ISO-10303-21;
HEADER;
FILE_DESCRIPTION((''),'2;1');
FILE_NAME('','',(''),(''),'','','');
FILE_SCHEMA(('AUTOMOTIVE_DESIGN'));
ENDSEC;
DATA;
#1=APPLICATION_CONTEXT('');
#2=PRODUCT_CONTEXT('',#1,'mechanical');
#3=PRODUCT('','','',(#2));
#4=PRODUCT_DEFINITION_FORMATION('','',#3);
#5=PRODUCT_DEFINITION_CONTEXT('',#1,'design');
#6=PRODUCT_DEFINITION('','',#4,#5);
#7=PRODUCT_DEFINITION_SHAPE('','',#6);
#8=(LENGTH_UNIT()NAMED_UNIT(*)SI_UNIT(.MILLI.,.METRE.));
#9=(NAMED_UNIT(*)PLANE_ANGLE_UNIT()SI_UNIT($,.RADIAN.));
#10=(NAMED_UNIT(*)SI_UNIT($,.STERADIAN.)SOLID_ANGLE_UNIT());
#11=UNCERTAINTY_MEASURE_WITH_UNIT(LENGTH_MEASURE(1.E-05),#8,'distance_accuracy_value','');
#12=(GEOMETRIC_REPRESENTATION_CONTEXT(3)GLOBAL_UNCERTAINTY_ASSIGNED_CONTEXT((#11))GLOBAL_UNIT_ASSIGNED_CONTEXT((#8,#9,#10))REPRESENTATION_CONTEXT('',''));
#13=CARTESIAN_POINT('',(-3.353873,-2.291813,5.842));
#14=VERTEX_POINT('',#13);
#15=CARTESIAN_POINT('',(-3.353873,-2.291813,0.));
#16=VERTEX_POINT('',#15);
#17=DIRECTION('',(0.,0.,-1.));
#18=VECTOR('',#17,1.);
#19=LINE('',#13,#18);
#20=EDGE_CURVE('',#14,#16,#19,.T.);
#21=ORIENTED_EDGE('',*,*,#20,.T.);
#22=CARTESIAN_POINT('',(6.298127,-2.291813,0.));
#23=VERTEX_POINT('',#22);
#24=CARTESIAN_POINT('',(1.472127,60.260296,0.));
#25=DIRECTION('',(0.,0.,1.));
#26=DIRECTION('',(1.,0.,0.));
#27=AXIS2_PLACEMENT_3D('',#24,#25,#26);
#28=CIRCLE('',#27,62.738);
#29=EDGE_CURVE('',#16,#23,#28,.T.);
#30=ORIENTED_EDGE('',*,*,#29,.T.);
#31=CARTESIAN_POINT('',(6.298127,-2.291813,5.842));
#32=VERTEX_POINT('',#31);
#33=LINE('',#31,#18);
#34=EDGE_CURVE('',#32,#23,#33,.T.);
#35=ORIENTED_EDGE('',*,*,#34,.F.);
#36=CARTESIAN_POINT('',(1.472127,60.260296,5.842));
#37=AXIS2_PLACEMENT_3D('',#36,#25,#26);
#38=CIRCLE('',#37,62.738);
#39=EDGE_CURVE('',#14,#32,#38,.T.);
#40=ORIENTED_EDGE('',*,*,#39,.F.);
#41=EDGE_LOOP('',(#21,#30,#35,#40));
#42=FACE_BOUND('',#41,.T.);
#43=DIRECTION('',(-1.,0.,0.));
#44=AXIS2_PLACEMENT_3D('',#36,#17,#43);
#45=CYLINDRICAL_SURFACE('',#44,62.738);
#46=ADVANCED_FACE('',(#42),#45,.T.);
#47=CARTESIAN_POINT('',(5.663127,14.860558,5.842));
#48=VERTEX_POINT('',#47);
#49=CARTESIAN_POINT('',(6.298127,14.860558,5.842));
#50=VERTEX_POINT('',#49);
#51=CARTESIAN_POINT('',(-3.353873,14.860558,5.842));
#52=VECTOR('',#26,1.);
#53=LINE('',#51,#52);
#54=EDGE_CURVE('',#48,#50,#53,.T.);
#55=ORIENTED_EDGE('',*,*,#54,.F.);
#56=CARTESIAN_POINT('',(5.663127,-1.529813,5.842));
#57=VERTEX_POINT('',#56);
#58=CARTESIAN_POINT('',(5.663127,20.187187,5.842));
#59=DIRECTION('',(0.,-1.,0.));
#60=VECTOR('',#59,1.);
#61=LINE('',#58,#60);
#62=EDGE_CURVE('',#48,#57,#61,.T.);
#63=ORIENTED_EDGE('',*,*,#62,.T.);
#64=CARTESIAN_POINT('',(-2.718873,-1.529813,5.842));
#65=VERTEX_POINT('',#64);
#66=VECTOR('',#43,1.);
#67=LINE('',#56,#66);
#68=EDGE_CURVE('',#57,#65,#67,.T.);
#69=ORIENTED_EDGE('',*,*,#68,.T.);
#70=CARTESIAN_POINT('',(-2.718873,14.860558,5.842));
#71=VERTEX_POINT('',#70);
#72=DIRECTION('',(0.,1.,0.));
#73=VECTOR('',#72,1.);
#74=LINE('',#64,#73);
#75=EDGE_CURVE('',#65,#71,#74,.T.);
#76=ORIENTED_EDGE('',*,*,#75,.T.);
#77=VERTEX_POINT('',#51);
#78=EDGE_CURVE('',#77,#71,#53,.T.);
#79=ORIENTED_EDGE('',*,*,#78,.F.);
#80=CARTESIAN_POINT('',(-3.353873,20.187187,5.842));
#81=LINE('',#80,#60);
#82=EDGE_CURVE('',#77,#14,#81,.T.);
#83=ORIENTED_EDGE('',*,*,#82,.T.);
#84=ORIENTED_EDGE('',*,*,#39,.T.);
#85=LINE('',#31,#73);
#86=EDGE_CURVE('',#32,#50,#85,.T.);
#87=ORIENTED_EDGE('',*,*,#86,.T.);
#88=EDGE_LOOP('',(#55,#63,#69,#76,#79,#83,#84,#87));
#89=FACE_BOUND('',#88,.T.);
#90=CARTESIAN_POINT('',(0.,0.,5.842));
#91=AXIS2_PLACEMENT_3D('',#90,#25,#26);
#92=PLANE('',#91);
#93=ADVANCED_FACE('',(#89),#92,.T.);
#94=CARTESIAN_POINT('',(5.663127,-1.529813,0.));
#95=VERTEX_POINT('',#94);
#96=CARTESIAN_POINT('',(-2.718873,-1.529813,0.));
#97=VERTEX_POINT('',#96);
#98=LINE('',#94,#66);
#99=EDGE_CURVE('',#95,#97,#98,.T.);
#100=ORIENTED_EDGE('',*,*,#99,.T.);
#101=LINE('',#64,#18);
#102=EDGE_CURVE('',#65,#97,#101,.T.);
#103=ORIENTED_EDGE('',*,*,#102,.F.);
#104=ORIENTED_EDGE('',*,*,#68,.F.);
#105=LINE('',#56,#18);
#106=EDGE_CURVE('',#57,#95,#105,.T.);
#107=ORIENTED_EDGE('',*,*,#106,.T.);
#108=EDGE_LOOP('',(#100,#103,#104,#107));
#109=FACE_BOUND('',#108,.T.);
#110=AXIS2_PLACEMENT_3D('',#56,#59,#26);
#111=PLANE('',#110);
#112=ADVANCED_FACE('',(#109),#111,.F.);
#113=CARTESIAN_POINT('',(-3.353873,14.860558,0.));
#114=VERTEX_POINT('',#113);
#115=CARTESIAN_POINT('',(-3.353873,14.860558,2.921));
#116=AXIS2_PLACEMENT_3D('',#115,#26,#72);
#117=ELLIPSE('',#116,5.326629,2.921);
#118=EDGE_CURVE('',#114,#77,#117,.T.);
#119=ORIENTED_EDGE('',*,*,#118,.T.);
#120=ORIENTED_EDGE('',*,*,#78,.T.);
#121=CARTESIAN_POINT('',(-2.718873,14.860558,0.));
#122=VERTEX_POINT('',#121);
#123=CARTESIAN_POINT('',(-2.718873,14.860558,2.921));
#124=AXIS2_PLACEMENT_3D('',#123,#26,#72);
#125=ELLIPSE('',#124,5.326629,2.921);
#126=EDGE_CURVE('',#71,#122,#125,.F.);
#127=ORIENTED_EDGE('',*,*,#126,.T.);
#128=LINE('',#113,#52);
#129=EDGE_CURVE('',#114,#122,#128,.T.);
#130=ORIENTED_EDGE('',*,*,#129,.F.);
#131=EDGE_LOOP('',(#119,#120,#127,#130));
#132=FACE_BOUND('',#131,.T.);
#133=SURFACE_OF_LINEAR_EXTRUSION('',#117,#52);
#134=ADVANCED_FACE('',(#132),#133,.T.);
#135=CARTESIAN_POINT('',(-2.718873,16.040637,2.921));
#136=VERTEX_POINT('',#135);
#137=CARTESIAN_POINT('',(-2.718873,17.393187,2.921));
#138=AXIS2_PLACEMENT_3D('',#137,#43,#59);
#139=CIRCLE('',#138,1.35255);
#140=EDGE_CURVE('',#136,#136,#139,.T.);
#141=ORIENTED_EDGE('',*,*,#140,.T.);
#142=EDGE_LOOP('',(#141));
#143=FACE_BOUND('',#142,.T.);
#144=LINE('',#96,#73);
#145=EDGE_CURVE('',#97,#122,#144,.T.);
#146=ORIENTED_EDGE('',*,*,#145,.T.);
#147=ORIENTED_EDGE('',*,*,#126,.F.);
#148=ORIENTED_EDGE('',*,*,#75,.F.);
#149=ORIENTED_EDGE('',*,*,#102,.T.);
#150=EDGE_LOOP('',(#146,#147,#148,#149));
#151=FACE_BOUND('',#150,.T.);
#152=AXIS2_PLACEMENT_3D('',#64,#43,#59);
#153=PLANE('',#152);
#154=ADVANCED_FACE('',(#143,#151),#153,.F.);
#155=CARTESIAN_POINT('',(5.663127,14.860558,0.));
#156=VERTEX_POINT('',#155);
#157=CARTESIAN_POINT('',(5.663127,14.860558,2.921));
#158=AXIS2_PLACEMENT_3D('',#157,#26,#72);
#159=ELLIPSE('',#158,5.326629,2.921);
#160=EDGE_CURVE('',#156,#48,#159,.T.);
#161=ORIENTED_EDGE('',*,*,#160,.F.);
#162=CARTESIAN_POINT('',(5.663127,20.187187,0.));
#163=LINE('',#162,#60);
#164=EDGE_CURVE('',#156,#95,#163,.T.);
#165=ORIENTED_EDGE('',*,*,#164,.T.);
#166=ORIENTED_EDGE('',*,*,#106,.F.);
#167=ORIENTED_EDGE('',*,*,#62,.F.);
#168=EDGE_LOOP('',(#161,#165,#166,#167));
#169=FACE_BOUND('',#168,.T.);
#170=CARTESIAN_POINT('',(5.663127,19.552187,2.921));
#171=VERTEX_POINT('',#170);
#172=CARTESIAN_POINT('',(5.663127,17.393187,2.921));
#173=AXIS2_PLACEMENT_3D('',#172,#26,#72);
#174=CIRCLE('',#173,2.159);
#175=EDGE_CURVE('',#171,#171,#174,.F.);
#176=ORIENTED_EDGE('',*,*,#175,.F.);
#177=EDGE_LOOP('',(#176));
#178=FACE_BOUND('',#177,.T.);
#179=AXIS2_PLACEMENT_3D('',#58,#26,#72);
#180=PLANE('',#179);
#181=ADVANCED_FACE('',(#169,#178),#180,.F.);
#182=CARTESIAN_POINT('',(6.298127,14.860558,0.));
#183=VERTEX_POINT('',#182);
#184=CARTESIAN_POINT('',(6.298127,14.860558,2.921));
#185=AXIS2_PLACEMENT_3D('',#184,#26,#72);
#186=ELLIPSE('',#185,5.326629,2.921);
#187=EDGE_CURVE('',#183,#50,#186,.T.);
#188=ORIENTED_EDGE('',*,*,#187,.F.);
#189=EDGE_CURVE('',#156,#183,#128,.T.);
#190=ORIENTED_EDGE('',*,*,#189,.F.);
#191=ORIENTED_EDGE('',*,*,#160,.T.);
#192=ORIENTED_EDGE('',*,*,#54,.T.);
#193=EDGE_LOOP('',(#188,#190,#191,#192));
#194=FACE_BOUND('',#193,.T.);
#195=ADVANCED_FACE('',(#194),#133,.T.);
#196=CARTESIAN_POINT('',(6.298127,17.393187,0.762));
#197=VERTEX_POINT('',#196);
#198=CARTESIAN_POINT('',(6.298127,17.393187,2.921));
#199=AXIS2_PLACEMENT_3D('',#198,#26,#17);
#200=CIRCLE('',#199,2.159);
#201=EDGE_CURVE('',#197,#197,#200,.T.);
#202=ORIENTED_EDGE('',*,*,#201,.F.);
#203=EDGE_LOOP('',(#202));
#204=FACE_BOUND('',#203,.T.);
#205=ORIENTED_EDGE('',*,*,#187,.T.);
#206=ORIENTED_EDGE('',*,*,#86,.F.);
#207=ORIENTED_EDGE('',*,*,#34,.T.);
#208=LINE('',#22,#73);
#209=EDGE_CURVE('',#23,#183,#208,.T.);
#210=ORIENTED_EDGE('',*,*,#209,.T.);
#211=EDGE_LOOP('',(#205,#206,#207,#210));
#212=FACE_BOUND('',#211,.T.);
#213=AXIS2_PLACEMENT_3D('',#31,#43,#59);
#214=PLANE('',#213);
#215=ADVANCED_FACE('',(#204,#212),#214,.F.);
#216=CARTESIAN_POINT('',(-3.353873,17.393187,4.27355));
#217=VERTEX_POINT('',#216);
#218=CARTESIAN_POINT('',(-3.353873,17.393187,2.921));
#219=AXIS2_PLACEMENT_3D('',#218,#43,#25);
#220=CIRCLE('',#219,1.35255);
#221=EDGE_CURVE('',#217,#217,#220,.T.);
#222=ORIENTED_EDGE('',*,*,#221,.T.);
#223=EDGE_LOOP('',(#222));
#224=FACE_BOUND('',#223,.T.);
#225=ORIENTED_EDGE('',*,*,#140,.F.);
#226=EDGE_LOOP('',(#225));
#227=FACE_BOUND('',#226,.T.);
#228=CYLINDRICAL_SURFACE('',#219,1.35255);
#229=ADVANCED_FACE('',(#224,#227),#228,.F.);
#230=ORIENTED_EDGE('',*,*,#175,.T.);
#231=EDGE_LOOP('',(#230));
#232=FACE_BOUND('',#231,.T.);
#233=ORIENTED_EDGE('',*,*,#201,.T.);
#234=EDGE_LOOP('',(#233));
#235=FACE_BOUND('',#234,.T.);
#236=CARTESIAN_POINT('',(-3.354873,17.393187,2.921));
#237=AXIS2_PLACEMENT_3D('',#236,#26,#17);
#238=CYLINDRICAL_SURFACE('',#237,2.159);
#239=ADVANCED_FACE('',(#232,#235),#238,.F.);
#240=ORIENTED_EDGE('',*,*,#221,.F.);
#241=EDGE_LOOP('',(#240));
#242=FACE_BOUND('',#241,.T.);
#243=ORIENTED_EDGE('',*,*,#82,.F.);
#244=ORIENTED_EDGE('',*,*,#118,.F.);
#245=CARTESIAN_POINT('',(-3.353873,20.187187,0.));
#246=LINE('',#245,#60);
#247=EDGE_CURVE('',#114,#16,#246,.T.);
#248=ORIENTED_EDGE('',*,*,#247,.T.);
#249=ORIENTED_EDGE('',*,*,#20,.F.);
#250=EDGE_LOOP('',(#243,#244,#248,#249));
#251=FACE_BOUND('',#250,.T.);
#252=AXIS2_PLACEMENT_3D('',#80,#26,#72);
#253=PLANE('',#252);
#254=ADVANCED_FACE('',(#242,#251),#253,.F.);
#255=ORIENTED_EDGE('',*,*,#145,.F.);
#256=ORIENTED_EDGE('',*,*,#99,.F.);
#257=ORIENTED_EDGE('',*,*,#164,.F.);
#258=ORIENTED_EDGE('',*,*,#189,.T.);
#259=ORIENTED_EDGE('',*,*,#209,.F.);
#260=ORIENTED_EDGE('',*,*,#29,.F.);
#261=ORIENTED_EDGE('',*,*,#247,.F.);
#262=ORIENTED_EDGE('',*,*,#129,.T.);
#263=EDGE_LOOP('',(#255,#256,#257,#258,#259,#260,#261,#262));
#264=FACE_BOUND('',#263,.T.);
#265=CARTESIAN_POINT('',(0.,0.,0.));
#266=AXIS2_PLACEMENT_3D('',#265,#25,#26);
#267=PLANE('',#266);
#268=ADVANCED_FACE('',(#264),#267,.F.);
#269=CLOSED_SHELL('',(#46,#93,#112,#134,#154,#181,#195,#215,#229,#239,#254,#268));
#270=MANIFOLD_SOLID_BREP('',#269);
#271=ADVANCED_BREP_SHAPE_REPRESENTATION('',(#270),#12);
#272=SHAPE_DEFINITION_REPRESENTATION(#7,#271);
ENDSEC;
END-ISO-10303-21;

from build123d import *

# Parameters (mm, degrees)
BOSS_EXTRUDE1_DEPTH       = 5.842
F_6_32_TAPPED_HOLE1_D     = 2.7051
F_6_32_TAPPED_HOLE1_DEPTH = 0.635
CUT_EXTRUDE1_REACH        = 11.652
SKETCH6_R                 = 2.159
BOSS_EXTRUDE2_DEPTH       = 5.842
CUT_EXTRUDE4_DEPTH        = 10.652


with BuildPart() as part:
    # Sketch1 → Boss-Extrude1 (new body)
    with BuildSketch(Plane.XY):
        Polygon((-3.353873239, 20.18718662), (-3.353873239, -2.29181338), (6.298126761, -2.29181338), (6.298126761, 20.18718662), (5.663126761, 20.18718662), (5.663126761, -1.52981338), (-2.718873239, -1.52981338), (-2.718873239, 20.18718662), align=None)
    extrude(amount=BOSS_EXTRUDE1_DEPTH)

    # #6-32 Tapped Hole1
    with Locations(Plane.ZY.offset(3.353873239)):
        with Locations((2.921, 17.39318662)):
            Hole(F_6_32_TAPPED_HOLE1_D / 2, depth=F_6_32_TAPPED_HOLE1_DEPTH)

    # Sketch6 → Cut-Extrude1 (cut, up to next)
    with BuildSketch(Plane(origin=(6.298126761, 0, 0), x_dir=(0, 0, -1), z_dir=(1, 0, 0)), mode=Mode.PRIVATE) as cut_extrude1_sk1:
        with Locations((-2.921, 17.39318662)):
            Circle(SKETCH6_R)
    cut_extrude1_tool1 = extrude(cut_extrude1_sk1.sketch, amount=-CUT_EXTRUDE1_REACH, mode=Mode.PRIVATE) & part.part
    add(cut_extrude1_tool1.solids().sort_by_distance((6.298127, 17.393187, 2.921))[0], mode=Mode.SUBTRACT)

    # Sketch15 → Boss-Extrude2 (add, through all)
    with BuildSketch(Plane.XY):
        with BuildLine():
            Line((6.298126761, -2.29181338), (-3.353873239, -2.29181338))
            ThreePointArc((-3.353873239, -2.29181338), (1.472126761, -2.477704159), (6.298126761, -2.29181338))
        make_face()
    extrude(amount=BOSS_EXTRUDE2_DEPTH)

    # Sketch28 → Cut-Extrude4 (cut, through all)
    with BuildSketch(Plane(origin=(6.298126761, 0, 0), x_dir=(0, 0, -1), z_dir=(1, 0, 0))):
        with BuildLine():
            Line((-5.842, 20.18718662), (-5.842, 14.860557672))
            add(Edge.make_bspline(
                [(-2.921, 20.18718662), (-5.842, 20.18718662), (-5.842, 14.860557672)],
                knots=[6.283185307, 6.283185307, 6.283185307, 7.853981634, 7.853981634, 7.853981634], degree=2, weights=[1, 0.707106781, 1]))
            Line((-2.920999983, 20.18718662), (-5.842, 20.18718662))
        make_face()
        with BuildLine():
            Line((0, 20.18718662), (-2.920999983, 20.18718662))
            add(Edge.make_bspline(
                [(0, 14.860557672), (0, 20.18718662), (-2.921, 20.18718662)],
                knots=[4.71238898, 4.71238898, 4.71238898, 6.283185307, 6.283185307, 6.283185307], degree=2, weights=[1, 0.707106781, 1]))
            Line((0, 14.860557672), (0, 20.18718662))
        make_face()
    extrude(amount=-CUT_EXTRUDE4_DEPTH, mode=Mode.SUBTRACT)


solid = part.part
